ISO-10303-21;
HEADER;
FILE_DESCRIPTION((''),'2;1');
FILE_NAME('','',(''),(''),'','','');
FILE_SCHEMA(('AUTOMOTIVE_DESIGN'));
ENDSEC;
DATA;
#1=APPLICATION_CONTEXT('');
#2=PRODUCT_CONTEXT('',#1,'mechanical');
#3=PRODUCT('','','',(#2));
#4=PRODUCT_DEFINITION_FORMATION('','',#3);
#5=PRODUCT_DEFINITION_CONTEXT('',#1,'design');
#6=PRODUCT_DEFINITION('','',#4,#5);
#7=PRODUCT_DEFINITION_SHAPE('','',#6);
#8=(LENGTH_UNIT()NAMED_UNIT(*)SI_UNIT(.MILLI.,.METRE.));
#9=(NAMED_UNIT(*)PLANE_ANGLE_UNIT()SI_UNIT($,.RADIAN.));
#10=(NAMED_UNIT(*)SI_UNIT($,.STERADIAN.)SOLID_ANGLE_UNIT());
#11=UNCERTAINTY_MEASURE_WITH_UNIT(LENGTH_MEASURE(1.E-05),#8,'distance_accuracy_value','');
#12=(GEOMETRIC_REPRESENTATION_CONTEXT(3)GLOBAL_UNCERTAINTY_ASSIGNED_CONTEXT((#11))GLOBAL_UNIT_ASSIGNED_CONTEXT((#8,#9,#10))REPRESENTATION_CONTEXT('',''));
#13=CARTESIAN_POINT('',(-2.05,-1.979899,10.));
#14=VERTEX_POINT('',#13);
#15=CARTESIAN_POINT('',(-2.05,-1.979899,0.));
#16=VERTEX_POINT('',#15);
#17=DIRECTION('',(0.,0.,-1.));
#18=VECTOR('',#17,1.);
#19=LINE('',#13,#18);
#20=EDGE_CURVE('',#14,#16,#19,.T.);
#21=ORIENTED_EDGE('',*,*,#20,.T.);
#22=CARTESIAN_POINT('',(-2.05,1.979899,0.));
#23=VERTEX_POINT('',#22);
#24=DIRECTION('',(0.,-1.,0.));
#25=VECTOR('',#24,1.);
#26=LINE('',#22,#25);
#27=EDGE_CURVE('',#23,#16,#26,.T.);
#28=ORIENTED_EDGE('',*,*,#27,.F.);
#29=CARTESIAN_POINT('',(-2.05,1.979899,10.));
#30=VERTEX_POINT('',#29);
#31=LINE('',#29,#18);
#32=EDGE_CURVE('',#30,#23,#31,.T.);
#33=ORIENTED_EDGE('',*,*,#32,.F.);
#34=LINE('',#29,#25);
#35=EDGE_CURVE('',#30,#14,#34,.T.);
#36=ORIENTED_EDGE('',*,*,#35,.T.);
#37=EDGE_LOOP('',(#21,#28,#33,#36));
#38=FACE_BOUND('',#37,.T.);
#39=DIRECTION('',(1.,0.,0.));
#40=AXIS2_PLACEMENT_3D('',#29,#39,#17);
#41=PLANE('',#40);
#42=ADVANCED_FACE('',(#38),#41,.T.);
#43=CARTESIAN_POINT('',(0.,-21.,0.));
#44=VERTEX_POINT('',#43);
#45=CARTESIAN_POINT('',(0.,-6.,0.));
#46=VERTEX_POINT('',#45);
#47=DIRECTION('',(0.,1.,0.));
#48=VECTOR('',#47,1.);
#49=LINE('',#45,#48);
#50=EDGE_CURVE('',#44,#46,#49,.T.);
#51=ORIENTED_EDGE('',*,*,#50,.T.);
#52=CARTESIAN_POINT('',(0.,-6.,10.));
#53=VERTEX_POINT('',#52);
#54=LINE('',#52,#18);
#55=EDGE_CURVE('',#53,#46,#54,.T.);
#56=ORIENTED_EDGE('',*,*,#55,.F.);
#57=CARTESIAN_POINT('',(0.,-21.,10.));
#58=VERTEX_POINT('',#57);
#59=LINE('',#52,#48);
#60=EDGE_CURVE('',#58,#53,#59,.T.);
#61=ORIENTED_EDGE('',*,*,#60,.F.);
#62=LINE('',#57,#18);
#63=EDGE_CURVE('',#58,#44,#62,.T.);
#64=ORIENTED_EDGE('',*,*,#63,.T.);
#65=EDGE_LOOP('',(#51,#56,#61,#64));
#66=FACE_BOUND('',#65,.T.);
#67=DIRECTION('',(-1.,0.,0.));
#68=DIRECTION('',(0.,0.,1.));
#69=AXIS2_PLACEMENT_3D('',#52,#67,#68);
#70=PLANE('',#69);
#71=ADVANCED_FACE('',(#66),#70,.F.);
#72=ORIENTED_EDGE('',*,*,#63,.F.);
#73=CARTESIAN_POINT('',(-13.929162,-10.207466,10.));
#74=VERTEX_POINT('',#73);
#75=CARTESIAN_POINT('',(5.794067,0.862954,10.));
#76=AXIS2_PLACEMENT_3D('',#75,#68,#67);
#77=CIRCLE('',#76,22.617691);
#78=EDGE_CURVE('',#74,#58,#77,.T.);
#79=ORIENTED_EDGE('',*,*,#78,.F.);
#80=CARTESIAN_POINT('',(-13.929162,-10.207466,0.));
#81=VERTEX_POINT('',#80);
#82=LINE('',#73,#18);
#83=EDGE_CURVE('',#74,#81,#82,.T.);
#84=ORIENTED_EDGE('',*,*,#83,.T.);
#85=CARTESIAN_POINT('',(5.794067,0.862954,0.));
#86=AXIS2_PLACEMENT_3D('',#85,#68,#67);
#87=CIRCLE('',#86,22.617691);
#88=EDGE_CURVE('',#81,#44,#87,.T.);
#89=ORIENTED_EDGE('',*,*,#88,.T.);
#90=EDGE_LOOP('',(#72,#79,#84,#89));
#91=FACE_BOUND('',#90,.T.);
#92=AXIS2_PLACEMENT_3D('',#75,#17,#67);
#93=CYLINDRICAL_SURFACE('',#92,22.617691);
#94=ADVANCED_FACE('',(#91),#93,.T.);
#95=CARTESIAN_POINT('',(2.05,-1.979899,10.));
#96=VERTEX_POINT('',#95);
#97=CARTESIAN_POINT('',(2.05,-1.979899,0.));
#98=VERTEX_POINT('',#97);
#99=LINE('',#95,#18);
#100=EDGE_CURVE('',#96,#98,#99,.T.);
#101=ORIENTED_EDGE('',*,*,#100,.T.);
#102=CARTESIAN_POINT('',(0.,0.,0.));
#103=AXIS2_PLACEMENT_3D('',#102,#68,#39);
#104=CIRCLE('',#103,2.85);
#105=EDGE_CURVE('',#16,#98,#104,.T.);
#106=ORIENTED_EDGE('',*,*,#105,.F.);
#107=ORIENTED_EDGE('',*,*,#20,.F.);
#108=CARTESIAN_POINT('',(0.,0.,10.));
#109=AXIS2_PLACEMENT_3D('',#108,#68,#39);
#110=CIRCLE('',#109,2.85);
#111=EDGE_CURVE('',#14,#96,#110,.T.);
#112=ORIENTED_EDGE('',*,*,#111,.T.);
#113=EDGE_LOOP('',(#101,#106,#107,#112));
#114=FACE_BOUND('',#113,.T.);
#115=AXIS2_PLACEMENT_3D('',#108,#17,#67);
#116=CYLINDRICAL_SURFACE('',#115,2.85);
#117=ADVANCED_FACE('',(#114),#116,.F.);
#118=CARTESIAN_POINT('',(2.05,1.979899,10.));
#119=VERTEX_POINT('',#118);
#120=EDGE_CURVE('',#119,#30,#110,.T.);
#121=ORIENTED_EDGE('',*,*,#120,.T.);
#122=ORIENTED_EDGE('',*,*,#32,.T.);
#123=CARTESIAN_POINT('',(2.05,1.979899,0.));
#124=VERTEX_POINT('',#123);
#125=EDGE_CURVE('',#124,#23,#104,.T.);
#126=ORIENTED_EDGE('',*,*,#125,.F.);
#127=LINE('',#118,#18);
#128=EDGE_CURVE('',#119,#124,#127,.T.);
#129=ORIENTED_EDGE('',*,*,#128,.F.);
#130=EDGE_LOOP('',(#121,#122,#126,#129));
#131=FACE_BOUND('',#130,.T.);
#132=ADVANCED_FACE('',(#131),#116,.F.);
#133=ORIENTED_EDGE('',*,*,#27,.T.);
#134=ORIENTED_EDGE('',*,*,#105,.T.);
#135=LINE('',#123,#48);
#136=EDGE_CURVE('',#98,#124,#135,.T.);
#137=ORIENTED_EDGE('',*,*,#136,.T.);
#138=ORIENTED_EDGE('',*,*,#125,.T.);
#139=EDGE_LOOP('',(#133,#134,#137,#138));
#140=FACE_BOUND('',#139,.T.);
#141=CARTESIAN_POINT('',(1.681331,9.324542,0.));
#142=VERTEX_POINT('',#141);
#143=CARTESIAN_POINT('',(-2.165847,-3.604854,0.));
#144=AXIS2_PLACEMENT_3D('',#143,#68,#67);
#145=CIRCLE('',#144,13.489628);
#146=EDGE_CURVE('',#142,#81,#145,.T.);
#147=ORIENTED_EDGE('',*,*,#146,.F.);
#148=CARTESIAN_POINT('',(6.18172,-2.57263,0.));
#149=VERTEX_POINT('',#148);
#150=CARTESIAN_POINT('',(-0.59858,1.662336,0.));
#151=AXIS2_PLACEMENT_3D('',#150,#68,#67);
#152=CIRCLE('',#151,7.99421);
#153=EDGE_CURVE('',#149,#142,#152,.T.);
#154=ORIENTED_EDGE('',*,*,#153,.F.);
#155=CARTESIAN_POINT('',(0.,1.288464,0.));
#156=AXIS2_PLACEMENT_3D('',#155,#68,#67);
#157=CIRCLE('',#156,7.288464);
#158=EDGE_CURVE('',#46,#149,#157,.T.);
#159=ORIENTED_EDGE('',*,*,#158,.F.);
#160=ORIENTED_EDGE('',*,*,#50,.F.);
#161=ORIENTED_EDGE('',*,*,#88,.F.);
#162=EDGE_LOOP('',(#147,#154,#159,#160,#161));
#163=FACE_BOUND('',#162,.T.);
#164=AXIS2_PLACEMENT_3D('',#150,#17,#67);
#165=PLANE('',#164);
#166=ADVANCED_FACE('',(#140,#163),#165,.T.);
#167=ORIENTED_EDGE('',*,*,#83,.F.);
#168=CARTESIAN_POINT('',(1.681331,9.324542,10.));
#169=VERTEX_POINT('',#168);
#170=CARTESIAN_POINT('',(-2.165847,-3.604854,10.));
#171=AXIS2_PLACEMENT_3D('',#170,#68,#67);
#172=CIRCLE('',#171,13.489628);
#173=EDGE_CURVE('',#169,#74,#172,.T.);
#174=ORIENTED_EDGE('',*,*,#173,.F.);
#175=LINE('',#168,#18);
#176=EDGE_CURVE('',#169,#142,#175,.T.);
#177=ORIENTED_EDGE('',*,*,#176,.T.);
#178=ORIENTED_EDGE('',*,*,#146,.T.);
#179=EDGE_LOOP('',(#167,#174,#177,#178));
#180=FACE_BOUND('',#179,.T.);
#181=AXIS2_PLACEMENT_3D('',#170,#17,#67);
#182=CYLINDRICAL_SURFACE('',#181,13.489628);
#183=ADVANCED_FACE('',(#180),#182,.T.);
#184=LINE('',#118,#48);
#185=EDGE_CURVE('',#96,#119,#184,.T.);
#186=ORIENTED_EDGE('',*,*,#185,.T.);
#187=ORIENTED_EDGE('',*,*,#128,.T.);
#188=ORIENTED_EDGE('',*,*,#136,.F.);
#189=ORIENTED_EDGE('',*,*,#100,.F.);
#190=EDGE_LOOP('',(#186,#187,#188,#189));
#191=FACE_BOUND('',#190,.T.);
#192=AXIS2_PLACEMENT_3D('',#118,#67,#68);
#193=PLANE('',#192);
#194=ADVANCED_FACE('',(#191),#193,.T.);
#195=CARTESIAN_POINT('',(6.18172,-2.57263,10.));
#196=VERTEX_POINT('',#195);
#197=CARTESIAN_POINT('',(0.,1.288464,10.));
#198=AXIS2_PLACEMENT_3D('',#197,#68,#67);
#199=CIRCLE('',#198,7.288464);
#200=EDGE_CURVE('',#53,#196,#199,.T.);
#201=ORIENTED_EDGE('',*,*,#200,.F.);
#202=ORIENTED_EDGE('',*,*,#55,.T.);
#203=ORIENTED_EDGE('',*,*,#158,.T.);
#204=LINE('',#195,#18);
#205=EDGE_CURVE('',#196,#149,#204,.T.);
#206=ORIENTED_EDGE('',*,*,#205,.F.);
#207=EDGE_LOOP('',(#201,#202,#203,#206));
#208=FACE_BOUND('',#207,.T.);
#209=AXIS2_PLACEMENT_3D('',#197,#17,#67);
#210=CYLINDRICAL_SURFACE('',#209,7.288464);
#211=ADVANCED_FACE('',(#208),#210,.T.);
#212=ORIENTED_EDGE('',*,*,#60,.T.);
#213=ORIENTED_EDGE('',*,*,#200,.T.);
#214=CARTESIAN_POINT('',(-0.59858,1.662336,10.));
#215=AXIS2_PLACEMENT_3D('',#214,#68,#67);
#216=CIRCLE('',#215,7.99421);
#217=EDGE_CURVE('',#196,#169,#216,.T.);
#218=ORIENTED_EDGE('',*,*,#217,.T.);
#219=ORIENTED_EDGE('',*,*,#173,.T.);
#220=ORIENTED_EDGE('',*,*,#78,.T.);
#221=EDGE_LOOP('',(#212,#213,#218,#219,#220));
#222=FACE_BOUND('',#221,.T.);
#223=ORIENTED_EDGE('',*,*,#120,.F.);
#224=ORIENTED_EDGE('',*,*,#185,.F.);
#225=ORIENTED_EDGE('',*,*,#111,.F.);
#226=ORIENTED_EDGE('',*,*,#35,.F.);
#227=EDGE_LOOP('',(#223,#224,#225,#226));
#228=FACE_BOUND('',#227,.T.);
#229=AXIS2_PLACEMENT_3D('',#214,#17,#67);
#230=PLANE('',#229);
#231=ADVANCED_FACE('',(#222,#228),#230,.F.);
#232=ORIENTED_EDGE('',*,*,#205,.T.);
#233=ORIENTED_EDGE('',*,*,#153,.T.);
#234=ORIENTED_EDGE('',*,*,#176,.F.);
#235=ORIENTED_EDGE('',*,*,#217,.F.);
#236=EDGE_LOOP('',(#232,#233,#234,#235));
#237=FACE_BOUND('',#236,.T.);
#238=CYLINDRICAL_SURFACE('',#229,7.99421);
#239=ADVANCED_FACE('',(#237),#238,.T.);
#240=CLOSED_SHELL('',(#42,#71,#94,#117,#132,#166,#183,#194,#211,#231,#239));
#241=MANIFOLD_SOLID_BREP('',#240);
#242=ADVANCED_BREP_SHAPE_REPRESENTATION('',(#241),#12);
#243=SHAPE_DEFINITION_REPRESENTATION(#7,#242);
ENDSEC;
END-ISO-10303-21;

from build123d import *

# Parameters (mm, degrees)
EXTRUDE_448_DEPTH = 10


with BuildPart() as part:
    # Эскиз1 → Extrude 448 (new body)
    with BuildSketch(Plane.XY):
        with BuildLine():
            Line((0, -6), (0, -21))
            ThreePointArc((0, -21), (-8.058831333, -17.01600504), (-13.929161871, -10.207466455))
            ThreePointArc((-13.929161871, -10.207466455), (-12.703453351, 4.817077167), (1.681331293, 9.324542439))
            ThreePointArc((1.681331293, 9.324542439), (6.878554189, 4.4907399), (6.181719822, -2.572630025))
            ThreePointArc((6.181719822, -2.572630025), (3.534137975, -5.085826245), (0, -6))
        make_face()
        with BuildLine():
            Line((-2.05, 1.979898987), (-2.05, -1.979898987))
            ThreePointArc((-2.05, -1.979898987), (0, -2.85), (2.05, -1.979898987))
            Line((2.05, -1.979898987), (2.05, 1.979898987))
            ThreePointArc((2.05, 1.979898987), (0, 2.85), (-2.05, 1.979898987))
        make_face(mode=Mode.SUBTRACT)
    extrude(amount=EXTRUDE_448_DEPTH)


solid = part.part
